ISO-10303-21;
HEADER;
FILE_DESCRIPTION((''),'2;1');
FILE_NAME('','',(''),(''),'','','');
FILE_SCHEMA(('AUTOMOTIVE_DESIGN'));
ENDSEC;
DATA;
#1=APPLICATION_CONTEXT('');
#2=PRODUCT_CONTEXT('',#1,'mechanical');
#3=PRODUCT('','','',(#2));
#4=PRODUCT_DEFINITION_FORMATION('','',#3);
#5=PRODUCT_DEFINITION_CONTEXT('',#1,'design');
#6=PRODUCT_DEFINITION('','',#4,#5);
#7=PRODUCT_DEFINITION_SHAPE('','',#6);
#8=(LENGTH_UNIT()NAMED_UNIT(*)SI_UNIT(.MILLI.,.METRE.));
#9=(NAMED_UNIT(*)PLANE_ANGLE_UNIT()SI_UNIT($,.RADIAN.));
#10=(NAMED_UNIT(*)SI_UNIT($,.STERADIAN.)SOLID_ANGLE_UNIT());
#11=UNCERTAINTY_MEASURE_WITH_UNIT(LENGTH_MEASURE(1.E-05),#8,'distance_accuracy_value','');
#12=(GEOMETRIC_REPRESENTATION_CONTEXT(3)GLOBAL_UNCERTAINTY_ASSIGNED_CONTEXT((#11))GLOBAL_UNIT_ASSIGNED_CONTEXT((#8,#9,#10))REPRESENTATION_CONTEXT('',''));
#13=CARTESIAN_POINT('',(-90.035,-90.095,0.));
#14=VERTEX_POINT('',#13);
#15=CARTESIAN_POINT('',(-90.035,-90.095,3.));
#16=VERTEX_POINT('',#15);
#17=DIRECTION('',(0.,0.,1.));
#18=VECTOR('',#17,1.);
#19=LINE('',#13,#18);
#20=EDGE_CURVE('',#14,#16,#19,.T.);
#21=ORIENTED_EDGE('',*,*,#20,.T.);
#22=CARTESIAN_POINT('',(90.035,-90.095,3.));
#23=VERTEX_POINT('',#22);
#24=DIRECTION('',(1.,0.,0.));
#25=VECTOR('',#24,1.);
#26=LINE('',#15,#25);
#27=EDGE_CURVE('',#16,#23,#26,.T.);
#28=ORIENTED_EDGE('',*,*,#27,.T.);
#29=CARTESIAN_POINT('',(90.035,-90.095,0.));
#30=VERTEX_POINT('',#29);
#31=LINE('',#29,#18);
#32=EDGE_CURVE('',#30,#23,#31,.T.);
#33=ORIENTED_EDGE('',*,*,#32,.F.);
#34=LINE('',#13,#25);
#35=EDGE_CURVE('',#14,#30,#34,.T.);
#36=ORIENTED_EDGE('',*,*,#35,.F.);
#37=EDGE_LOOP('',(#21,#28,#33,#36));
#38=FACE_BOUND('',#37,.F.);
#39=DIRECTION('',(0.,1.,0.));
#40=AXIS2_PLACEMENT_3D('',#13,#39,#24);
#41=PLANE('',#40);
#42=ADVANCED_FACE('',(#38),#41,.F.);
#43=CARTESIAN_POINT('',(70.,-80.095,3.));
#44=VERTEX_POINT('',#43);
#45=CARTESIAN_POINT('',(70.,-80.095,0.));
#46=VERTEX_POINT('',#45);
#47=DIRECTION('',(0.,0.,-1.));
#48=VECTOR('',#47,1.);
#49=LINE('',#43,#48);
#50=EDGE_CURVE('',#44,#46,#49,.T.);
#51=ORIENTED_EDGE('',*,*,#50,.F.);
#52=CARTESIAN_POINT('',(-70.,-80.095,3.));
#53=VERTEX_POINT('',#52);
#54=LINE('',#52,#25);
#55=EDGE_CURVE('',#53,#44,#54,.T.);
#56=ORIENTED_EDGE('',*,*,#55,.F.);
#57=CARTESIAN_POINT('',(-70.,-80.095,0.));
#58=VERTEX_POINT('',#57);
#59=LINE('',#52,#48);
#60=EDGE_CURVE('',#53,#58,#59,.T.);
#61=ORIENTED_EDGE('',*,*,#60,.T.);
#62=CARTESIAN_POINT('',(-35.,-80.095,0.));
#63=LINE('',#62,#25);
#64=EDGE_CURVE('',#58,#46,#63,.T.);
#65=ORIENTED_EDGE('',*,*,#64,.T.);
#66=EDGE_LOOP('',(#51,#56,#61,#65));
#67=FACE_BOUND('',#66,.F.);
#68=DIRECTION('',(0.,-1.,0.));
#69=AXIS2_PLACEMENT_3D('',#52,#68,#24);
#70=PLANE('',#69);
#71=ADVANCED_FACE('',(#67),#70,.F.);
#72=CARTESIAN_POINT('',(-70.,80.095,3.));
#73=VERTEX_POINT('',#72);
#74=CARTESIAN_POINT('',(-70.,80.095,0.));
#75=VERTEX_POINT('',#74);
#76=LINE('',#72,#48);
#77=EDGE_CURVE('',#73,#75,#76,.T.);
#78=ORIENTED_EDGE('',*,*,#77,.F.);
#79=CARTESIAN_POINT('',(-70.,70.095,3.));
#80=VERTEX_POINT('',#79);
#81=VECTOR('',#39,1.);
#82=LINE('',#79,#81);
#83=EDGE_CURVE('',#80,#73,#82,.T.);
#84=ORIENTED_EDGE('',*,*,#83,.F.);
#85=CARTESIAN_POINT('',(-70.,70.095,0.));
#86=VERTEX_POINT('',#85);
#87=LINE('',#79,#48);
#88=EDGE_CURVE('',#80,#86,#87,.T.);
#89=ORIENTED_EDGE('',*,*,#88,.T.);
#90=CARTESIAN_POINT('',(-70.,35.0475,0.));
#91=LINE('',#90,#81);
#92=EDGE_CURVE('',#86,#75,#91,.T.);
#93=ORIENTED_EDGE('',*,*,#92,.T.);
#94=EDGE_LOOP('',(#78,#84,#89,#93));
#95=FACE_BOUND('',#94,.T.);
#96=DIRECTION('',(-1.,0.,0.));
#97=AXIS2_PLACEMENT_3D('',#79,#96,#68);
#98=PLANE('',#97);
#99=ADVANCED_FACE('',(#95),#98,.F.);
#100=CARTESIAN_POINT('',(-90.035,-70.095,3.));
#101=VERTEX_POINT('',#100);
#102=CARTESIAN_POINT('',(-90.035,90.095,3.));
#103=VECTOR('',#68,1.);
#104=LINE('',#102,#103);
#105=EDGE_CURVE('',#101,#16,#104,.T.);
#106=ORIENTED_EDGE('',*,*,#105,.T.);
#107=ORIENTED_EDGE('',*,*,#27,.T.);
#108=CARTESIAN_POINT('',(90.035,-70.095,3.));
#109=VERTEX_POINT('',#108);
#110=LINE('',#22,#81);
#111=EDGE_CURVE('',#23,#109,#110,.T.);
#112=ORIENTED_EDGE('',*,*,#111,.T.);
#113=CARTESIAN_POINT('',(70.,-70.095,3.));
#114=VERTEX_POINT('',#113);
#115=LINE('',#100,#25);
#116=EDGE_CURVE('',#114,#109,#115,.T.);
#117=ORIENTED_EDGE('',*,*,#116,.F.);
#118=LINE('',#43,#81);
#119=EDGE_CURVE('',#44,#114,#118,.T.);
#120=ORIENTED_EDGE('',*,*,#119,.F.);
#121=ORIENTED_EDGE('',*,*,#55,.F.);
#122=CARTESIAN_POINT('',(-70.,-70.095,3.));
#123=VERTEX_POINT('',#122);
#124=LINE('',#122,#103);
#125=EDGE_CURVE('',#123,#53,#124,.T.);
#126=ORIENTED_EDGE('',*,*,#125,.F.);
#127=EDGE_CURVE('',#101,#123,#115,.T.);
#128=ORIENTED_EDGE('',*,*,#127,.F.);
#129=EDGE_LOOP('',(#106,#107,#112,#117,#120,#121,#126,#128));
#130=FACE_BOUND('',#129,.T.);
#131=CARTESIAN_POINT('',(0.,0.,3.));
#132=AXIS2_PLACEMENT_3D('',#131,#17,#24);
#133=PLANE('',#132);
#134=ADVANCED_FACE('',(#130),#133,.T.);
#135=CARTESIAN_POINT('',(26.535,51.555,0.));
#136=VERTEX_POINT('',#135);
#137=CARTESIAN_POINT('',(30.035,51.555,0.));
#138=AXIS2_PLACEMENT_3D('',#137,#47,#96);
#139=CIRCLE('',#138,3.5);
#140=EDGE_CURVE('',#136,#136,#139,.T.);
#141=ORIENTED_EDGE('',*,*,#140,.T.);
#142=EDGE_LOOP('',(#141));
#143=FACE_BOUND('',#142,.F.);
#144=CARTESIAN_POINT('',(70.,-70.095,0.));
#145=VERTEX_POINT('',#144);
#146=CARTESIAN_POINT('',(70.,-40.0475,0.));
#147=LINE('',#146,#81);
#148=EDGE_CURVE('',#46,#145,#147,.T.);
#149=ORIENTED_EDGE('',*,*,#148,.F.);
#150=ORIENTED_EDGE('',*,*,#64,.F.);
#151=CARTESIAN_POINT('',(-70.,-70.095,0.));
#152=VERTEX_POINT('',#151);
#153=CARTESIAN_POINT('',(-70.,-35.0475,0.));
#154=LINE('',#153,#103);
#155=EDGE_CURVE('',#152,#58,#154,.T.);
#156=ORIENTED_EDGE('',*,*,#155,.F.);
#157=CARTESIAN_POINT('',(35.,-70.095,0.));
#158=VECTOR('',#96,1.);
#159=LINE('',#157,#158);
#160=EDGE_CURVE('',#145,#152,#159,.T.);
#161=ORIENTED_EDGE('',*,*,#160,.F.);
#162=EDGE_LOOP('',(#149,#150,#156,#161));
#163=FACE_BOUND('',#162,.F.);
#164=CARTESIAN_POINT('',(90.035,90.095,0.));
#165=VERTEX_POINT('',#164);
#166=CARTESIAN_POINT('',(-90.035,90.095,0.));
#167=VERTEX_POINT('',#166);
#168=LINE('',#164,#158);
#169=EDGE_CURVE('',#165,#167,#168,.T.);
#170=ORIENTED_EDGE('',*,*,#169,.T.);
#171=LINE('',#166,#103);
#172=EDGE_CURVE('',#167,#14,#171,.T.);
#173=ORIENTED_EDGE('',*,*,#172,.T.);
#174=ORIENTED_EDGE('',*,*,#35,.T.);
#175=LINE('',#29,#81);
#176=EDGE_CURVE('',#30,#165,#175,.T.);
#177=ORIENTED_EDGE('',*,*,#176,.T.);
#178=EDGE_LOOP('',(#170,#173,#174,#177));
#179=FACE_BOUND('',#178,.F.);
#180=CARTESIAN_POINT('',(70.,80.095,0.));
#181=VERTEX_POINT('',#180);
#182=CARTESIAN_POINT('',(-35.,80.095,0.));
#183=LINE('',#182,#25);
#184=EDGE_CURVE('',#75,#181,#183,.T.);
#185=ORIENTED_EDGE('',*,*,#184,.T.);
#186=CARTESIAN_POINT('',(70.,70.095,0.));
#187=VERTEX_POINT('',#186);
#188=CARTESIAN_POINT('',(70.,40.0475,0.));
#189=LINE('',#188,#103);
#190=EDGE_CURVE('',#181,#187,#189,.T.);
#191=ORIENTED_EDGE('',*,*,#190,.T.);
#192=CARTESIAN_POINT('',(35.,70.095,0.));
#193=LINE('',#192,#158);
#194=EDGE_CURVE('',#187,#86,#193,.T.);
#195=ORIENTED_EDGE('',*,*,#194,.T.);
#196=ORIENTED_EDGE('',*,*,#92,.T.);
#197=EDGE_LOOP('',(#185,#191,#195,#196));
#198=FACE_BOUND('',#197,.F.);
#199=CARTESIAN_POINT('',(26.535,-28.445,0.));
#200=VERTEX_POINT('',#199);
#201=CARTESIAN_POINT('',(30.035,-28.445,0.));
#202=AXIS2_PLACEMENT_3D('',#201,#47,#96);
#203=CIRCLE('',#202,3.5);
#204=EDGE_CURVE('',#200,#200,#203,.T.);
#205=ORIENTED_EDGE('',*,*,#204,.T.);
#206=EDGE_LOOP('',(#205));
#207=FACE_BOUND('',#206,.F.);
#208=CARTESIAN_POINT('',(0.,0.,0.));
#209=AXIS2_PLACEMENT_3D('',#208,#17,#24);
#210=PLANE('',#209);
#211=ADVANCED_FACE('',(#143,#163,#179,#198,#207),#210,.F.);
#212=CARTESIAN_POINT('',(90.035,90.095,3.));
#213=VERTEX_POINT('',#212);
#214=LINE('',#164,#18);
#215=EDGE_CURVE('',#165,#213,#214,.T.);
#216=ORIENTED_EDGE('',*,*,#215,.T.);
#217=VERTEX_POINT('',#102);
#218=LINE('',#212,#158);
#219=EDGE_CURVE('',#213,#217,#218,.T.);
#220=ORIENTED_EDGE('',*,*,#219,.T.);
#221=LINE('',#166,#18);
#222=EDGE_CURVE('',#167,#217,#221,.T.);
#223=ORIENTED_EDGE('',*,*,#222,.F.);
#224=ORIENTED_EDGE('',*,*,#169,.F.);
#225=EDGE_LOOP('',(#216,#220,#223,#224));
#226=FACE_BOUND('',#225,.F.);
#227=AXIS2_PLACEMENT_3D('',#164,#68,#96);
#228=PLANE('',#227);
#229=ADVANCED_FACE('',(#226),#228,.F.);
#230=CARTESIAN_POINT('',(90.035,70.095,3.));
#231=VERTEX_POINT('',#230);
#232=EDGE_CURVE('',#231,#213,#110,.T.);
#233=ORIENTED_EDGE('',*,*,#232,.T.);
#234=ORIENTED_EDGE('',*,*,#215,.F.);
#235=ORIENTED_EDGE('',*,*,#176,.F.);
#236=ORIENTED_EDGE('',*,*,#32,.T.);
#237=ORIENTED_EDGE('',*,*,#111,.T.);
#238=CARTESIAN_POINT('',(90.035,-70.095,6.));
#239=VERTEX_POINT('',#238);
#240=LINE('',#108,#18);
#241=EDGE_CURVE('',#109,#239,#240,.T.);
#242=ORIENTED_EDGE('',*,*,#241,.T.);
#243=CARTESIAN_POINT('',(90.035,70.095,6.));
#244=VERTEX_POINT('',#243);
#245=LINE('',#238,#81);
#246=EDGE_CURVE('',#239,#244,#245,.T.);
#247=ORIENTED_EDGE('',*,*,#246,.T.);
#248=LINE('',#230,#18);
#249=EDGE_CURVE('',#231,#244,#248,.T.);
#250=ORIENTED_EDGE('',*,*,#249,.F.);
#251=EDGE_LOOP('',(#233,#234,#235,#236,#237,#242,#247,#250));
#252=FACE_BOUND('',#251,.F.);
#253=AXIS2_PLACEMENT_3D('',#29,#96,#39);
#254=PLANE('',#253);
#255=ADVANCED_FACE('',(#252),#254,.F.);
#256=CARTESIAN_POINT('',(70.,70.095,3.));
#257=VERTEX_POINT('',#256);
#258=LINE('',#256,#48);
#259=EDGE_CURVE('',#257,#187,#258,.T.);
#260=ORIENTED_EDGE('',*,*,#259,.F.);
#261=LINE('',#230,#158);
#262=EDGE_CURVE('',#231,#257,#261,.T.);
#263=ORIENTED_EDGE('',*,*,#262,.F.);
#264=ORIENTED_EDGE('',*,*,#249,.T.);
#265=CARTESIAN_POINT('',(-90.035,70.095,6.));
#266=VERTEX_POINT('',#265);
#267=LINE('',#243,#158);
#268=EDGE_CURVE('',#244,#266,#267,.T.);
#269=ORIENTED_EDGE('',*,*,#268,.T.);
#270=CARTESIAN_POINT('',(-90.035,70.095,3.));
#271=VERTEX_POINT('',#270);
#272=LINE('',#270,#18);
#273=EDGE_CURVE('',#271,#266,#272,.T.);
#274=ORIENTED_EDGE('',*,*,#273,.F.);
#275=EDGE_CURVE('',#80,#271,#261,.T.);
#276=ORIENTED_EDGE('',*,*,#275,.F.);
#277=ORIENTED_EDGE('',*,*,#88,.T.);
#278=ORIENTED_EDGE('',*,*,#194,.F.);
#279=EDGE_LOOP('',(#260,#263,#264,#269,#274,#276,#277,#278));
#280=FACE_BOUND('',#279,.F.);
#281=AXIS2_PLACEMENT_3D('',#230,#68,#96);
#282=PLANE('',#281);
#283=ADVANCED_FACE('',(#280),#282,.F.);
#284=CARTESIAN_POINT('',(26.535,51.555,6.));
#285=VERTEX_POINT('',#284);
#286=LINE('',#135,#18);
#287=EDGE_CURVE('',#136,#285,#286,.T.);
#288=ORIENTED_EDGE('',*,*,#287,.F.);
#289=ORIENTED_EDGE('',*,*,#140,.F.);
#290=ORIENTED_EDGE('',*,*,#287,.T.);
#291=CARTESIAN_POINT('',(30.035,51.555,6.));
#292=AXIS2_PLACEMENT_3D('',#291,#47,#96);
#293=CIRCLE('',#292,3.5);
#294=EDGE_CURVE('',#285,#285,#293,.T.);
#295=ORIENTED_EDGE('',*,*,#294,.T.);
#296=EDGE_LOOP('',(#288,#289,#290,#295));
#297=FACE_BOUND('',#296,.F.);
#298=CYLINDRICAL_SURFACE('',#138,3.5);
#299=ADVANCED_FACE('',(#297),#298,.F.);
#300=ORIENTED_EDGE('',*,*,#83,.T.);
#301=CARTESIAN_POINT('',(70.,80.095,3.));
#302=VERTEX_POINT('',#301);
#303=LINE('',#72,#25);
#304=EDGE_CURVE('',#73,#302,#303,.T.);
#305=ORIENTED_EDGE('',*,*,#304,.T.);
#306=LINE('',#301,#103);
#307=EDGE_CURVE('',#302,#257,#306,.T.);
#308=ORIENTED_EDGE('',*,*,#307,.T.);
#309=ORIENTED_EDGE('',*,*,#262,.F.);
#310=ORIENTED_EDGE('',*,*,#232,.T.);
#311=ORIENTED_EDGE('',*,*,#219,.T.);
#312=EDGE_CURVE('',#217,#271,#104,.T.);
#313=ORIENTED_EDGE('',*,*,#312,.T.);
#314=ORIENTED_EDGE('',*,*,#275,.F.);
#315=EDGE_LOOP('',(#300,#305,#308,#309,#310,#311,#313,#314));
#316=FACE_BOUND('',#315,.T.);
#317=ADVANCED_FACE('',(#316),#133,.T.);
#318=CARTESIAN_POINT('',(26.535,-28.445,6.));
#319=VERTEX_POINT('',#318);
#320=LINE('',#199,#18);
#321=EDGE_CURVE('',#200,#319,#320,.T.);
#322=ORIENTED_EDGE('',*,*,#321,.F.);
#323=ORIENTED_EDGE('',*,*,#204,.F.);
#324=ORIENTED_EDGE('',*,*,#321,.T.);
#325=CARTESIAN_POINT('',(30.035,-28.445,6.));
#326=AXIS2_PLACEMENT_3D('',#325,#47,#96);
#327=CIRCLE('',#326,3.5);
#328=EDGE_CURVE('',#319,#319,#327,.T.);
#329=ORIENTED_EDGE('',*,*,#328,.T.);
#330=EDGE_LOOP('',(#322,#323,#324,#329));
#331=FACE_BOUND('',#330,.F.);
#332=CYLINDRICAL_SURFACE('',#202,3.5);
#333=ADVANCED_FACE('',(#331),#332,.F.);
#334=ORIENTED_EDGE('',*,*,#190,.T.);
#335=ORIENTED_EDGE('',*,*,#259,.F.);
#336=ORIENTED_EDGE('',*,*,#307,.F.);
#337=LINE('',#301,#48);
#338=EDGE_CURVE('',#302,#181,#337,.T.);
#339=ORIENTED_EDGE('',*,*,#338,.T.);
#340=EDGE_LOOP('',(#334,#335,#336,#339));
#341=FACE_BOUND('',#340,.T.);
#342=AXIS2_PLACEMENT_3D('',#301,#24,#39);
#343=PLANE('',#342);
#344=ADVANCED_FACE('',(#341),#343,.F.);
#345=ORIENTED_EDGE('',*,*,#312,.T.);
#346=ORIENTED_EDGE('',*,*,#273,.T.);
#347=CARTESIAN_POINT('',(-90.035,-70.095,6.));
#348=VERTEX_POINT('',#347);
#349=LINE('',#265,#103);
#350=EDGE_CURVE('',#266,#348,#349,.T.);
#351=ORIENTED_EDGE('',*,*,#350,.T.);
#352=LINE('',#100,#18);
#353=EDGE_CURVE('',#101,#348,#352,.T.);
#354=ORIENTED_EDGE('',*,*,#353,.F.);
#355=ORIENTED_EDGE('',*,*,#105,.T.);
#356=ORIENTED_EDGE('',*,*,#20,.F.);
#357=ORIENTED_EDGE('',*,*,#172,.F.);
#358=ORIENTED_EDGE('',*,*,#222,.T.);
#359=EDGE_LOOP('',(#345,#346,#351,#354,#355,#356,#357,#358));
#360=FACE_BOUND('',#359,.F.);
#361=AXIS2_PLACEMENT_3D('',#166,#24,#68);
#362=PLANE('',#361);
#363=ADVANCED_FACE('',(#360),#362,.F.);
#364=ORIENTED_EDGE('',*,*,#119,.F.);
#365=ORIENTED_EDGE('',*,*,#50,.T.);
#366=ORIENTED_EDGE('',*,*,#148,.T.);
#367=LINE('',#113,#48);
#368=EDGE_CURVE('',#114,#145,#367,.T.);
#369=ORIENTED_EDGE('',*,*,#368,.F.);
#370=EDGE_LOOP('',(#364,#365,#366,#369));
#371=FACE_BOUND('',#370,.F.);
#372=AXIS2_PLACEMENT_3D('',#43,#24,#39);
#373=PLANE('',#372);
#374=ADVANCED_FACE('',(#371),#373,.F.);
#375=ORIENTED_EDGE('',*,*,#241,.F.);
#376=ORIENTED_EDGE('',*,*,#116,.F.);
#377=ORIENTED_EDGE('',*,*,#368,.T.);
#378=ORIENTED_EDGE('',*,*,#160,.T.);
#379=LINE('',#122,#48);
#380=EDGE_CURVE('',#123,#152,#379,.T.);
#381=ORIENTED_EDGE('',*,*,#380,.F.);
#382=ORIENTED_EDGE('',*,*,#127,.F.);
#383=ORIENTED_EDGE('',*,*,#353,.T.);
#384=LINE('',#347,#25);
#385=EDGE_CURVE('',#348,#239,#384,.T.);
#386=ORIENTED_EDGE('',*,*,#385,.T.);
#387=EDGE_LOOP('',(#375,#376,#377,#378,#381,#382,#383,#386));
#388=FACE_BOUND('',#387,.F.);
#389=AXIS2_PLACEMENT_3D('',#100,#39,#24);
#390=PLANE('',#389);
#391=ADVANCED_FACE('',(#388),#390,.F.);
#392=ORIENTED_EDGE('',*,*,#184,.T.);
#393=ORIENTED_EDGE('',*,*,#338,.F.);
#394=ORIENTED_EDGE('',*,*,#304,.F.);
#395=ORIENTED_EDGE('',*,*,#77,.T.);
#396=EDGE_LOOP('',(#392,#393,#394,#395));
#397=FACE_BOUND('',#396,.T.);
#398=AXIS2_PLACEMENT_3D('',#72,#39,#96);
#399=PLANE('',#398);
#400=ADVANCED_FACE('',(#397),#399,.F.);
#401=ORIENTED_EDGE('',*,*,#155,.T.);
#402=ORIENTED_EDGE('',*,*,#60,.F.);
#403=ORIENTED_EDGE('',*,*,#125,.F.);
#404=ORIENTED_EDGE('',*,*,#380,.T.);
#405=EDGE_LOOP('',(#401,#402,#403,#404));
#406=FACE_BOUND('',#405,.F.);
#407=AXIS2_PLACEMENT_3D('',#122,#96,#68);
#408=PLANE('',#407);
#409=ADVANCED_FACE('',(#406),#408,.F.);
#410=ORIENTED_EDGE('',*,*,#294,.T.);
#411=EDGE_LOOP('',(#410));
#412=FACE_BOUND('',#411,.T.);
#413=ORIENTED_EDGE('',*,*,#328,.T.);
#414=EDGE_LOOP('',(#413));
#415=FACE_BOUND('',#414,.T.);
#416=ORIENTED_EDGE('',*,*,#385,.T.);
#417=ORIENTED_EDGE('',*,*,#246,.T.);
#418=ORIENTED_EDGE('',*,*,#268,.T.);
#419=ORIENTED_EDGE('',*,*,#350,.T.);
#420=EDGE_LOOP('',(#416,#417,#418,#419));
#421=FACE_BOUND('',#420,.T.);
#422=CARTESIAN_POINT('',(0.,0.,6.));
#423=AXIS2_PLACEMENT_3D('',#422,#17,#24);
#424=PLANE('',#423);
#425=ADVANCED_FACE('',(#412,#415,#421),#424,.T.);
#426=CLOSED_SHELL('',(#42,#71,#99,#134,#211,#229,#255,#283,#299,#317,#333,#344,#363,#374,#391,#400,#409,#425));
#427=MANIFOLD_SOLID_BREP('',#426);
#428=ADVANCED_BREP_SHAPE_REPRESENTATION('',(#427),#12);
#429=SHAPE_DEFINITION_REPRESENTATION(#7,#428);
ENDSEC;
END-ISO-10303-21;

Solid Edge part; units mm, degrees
sketch "Sketch1" plane through (0, 0, 0) normal (0, 0, 1) x (1, 0, 0)
  line L0 (-90.035, -90.095) -> (90.035, -90.095)
  line L1 (90.035, -90.095) -> (90.035, 90.095)
  line L2 (90.035, 90.095) -> (-90.035, 90.095)
  line L3 (-90.035, 90.095) -> (-90.035, -90.095)
  dimension "D1" = 180.07
  dimension "D2" = 180.19
extrude "Protrusion1" add sketch "Sketch1" along normal blind 3
sketch "Sketch2" plane through (0, 0, 3) normal (0, 0, 1) x (1, 0, 0)
  line L0 (-90.035, -70.095) -> (90.035, -70.095)
  line L1 (90.035, -70.095) -> (90.035, 70.095)
  line L2 (90.035, 70.095) -> (-90.035, 70.095)
  line L3 (-90.035, 70.095) -> (-90.035, -70.095)
  dimension "D1" = 20
extrude "Extrusionsausprägung_2" add sketch "Sketch2" along normal blind 3
sketch "Sketch3" plane through (0, -90, 3) normal (0, 0, 1) x (1, 0, 0)
  line L0 (-70, 9.905) -> (70, 9.905)
  line L1 (70, 9.905) -> (70, 19.905)
  line L2 (70, 19.905) -> (-70, 19.905)
  line L3 (-70, 19.905) -> (-70, 9.905)
  dimension "D1" = 140
extrude "Cutout1" cut sketch "Sketch3" against normal through all
mirror "Mirror1" about plane through (0, 0, 0) normal (0, -1, 0) of "Cutout1"
sketch "Sketch4" plane through (0, 0, 0) normal (0, 0, -1) x (-1, 0, 0)
  circle A0 centre (-30.035, -28.445) radius 3.5
  circle A1 centre (-30.035, 51.555) radius 3.5
  dimension "D1" = 80
  dimension "D2" = 7
  dimension "D3" = 61.65
  dimension "D4" = 60
extrude "Cutout3" cut sketch "Sketch4" against normal through all
properties material "Nylon, allgemein"
